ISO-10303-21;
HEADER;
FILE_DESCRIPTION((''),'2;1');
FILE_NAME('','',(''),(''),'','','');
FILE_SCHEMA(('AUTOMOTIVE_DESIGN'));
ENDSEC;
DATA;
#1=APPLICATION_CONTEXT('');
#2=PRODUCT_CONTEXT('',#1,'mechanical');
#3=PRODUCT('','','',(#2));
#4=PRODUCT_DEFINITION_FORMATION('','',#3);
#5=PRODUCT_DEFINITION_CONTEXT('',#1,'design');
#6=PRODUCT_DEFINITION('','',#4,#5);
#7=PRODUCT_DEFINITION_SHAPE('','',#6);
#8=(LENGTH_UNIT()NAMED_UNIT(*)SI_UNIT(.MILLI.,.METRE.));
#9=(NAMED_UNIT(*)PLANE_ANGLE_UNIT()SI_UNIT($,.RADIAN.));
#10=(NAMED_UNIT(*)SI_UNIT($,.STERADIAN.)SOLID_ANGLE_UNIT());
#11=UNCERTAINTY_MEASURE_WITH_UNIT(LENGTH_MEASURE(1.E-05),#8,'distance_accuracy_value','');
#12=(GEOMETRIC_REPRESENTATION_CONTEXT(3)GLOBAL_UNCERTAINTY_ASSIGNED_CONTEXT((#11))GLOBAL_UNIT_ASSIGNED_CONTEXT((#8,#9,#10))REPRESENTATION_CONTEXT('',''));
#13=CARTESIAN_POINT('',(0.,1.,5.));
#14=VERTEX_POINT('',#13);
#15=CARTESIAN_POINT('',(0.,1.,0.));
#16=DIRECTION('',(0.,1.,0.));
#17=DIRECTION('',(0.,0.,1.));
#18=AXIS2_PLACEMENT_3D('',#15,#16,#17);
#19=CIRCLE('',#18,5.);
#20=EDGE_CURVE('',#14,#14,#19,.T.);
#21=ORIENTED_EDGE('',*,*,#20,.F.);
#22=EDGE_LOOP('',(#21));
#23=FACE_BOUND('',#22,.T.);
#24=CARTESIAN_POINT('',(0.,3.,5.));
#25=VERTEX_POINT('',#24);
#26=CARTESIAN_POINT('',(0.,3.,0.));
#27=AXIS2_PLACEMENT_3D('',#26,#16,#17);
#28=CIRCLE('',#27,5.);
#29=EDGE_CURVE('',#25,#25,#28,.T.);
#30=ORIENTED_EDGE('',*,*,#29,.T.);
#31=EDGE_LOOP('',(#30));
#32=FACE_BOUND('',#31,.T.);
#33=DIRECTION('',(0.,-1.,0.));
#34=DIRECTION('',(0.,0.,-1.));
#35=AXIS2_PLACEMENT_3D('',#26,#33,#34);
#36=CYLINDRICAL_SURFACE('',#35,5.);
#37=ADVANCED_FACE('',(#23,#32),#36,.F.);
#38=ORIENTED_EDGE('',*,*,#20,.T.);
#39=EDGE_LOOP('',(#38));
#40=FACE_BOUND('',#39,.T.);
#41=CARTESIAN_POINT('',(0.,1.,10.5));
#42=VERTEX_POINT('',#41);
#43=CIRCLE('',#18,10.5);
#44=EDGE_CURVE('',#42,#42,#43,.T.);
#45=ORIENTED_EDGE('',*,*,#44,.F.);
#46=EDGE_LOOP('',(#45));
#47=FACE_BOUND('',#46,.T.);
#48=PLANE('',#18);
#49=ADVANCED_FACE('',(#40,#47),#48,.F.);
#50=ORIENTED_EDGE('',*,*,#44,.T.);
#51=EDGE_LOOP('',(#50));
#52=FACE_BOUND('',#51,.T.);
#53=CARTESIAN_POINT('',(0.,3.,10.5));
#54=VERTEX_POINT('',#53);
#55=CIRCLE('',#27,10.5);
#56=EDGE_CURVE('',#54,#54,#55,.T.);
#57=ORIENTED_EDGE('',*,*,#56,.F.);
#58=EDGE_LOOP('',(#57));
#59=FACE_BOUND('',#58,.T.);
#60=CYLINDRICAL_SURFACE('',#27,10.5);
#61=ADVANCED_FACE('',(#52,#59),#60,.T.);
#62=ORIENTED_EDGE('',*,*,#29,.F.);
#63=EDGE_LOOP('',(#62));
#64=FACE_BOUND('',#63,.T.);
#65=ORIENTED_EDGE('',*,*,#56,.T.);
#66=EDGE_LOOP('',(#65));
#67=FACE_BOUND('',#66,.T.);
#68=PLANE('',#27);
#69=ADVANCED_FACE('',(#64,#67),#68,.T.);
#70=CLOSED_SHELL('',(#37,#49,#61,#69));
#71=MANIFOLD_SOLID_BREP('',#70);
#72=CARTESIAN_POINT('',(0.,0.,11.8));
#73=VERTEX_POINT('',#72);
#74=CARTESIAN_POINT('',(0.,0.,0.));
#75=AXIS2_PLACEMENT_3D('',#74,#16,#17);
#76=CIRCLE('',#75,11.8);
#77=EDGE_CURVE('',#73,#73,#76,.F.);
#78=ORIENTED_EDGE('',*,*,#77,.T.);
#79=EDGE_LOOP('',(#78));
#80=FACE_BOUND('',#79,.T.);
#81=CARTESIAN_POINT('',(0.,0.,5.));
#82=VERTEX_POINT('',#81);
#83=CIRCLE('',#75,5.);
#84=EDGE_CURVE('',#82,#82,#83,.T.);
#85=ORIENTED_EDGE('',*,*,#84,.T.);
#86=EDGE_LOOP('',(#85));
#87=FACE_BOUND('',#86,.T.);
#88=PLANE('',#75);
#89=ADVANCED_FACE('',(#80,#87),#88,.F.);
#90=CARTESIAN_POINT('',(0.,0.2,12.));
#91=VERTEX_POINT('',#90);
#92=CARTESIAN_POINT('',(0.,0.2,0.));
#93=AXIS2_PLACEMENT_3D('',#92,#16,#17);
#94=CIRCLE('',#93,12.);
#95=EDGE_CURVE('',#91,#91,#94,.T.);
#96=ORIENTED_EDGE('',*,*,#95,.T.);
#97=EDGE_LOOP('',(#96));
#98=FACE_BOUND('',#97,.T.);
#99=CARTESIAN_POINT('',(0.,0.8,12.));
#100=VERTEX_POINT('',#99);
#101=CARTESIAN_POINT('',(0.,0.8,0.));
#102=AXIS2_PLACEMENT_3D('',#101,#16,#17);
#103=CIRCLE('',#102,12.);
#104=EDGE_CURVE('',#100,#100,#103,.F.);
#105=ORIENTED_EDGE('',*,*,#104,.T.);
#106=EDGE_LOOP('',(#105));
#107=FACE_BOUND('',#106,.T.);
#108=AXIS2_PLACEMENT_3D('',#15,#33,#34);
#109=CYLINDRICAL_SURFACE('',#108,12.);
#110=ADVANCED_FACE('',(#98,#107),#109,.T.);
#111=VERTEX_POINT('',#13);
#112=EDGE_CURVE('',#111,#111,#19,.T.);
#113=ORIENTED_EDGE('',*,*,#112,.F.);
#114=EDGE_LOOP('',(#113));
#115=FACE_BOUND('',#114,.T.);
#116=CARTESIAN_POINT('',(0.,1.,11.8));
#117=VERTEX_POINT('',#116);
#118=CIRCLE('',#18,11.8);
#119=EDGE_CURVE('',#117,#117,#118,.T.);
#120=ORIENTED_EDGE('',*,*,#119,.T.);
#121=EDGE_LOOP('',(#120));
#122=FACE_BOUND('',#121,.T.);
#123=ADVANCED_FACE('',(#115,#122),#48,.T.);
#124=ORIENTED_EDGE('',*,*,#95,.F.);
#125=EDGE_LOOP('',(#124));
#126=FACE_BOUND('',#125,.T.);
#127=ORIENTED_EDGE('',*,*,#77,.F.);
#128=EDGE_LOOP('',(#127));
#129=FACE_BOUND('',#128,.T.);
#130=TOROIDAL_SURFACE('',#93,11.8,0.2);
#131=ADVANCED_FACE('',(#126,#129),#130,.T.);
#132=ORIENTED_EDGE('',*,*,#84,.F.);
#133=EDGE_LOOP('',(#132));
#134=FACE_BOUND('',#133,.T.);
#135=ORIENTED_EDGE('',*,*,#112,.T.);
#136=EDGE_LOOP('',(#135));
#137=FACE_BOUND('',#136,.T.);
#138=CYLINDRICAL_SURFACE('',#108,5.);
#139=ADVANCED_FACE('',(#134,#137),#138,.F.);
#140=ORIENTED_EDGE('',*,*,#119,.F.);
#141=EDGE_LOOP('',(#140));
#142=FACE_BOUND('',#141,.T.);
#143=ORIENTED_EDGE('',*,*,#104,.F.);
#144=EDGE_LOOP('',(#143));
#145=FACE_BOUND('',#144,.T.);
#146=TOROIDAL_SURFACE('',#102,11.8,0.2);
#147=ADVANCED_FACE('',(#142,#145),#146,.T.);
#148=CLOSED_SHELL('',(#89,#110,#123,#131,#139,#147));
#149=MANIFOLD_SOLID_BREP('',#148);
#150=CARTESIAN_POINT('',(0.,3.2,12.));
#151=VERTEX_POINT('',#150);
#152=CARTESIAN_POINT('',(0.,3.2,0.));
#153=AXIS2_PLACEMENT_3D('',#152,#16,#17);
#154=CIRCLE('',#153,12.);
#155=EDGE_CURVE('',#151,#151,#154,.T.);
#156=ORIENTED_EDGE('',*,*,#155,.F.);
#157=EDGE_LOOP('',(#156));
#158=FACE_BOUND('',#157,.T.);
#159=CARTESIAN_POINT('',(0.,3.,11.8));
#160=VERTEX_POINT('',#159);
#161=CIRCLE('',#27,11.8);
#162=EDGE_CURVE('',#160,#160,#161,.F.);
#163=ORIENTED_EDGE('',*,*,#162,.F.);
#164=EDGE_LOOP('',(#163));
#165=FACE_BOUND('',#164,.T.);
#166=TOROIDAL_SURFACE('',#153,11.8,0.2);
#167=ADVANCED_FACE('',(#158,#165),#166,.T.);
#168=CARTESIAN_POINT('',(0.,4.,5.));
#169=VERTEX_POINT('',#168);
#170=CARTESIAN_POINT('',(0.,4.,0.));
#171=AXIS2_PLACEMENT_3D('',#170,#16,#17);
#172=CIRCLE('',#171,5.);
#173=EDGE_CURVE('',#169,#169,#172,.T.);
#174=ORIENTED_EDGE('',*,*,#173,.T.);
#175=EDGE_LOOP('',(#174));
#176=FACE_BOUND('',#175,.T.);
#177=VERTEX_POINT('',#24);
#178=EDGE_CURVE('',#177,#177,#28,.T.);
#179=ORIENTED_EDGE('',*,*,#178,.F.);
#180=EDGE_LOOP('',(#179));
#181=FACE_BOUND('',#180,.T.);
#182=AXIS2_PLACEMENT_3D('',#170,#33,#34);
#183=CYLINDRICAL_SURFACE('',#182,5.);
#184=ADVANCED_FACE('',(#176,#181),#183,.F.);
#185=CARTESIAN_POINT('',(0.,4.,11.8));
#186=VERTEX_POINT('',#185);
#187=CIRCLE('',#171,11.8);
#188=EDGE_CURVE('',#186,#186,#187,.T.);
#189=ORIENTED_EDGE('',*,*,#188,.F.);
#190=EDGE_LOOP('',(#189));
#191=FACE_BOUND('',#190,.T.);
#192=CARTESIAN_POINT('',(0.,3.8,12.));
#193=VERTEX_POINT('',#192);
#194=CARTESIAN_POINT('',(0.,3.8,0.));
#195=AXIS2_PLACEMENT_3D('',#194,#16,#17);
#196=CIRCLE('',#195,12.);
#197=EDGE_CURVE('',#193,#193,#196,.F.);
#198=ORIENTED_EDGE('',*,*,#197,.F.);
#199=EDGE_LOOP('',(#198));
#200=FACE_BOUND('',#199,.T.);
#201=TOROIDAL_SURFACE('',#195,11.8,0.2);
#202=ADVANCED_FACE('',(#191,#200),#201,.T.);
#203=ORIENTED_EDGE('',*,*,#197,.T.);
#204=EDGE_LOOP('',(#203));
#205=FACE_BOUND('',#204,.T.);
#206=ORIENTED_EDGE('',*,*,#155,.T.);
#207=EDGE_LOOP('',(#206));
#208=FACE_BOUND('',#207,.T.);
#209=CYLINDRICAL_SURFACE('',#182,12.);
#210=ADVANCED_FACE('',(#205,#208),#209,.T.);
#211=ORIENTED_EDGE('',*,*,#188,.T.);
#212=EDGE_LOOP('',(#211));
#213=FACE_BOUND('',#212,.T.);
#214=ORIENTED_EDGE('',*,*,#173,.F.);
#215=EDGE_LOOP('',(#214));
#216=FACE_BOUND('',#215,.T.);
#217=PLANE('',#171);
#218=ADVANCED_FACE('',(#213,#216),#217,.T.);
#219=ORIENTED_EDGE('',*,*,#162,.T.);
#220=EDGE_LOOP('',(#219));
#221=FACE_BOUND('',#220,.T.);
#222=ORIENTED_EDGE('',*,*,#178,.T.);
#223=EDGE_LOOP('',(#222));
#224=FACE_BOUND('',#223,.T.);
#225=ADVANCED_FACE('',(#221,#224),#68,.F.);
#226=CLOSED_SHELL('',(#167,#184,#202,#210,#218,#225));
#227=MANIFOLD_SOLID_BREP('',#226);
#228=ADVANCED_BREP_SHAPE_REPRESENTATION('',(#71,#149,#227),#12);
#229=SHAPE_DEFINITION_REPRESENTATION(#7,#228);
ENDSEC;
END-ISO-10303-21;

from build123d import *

# Parameters (mm, degrees)
SKETCH_1_R      = 12
SKETCH_1_R_2    = 5
EXTRUDE_1_DEPTH = 1
SKETCH_3_R      = 12
SKETCH_3_R_2    = 5
EXTRUDE_2_DEPTH = 2
SKETCH_4_R      = 12
SKETCH_4_R_2    = 5
EXTRUDE_3_DEPTH = 1
SKETCH_5_W      = 3
SKETCH_5_H      = 2
FILLET_1_R      = 0.2
FILLET_2_R      = 0.2
FILLET_3_R      = 0.2
FILLET_4_R      = 0.2


with BuildPart() as part:
    # 草图1 → 凸台-拉伸1 (new body)
    with BuildSketch(Plane(origin=(0, 0, 0), x_dir=(1, 0, 0), z_dir=(0, 1, 0))):
        with Locations(Location((0, 0, 0), (0, 0, 270))):
            Circle(SKETCH_1_R)
        with Locations(Location((0, 0, 0), (0, 0, 270))):
            Circle(SKETCH_1_R_2, mode=Mode.SUBTRACT)
    extrude(amount=EXTRUDE_1_DEPTH)

    # 圆角3
    fillet_3_edges = [part.edges().sort_by_distance(p)[0] for p in [
        (0, 1, -12),
    ]]
    fillet(fillet_3_edges, radius=FILLET_3_R)

    # 圆角4
    fillet_4_edges = [part.edges().sort_by_distance(p)[0] for p in [
        (0, 0, -12),
    ]]
    fillet(fillet_4_edges, radius=FILLET_4_R)


with BuildPart() as body_2:
    # 草图3 → 凸台-拉伸2 (new body)
    with BuildSketch(Plane(origin=(0, 1, 0), x_dir=(1, 0, 0), z_dir=(0, 1, 0))):
        with Locations(Location((0, 0, 0), (0, 0, 270))):
            Circle(SKETCH_3_R)
        with Locations(Location((0, 0, 0), (0, 0, 270))):
            Circle(SKETCH_3_R_2, mode=Mode.SUBTRACT)
    extrude(amount=EXTRUDE_2_DEPTH)

    # 草图5 → 切除-旋转1 (revolve, cut)
    with BuildSketch(Plane(origin=(0, 0, 0), x_dir=(0, 0, -1), z_dir=(1, 0, 0)), mode=Mode.PRIVATE) as cut_revolve_1_sk:
        with Locations((12, 2)):
            Rectangle(SKETCH_5_W, SKETCH_5_H)
    revolve(cut_revolve_1_sk.sketch.rotate(Axis((0, 3, 0), (0, -1, 0)), 180), axis=Axis((0, 3, 0), (0, -1, 0)), mode=Mode.SUBTRACT)


with BuildPart() as body_3:
    # 草图4 → 凸台-拉伸3 (new body)
    with BuildSketch(Plane(origin=(0, 3, 0), x_dir=(1, 0, 0), z_dir=(0, 1, 0))):
        with Locations(Location((0, 0, 0), (0, 0, 270))):
            Circle(SKETCH_4_R)
        with Locations(Location((0, 0, 0), (0, 0, 270))):
            Circle(SKETCH_4_R_2, mode=Mode.SUBTRACT)
    extrude(amount=EXTRUDE_3_DEPTH)

    # 圆角1
    fillet_1_edges = [body_3.edges().sort_by_distance(p)[0] for p in [
        (0, 4, -12),
    ]]
    fillet(fillet_1_edges, radius=FILLET_1_R)

    # 圆角2
    fillet_2_edges = [body_3.edges().sort_by_distance(p)[0] for p in [
        (0, 3, -12),
    ]]
    fillet(fillet_2_edges, radius=FILLET_2_R)


solid = Compound([part.part, body_2.part, body_3.part])
